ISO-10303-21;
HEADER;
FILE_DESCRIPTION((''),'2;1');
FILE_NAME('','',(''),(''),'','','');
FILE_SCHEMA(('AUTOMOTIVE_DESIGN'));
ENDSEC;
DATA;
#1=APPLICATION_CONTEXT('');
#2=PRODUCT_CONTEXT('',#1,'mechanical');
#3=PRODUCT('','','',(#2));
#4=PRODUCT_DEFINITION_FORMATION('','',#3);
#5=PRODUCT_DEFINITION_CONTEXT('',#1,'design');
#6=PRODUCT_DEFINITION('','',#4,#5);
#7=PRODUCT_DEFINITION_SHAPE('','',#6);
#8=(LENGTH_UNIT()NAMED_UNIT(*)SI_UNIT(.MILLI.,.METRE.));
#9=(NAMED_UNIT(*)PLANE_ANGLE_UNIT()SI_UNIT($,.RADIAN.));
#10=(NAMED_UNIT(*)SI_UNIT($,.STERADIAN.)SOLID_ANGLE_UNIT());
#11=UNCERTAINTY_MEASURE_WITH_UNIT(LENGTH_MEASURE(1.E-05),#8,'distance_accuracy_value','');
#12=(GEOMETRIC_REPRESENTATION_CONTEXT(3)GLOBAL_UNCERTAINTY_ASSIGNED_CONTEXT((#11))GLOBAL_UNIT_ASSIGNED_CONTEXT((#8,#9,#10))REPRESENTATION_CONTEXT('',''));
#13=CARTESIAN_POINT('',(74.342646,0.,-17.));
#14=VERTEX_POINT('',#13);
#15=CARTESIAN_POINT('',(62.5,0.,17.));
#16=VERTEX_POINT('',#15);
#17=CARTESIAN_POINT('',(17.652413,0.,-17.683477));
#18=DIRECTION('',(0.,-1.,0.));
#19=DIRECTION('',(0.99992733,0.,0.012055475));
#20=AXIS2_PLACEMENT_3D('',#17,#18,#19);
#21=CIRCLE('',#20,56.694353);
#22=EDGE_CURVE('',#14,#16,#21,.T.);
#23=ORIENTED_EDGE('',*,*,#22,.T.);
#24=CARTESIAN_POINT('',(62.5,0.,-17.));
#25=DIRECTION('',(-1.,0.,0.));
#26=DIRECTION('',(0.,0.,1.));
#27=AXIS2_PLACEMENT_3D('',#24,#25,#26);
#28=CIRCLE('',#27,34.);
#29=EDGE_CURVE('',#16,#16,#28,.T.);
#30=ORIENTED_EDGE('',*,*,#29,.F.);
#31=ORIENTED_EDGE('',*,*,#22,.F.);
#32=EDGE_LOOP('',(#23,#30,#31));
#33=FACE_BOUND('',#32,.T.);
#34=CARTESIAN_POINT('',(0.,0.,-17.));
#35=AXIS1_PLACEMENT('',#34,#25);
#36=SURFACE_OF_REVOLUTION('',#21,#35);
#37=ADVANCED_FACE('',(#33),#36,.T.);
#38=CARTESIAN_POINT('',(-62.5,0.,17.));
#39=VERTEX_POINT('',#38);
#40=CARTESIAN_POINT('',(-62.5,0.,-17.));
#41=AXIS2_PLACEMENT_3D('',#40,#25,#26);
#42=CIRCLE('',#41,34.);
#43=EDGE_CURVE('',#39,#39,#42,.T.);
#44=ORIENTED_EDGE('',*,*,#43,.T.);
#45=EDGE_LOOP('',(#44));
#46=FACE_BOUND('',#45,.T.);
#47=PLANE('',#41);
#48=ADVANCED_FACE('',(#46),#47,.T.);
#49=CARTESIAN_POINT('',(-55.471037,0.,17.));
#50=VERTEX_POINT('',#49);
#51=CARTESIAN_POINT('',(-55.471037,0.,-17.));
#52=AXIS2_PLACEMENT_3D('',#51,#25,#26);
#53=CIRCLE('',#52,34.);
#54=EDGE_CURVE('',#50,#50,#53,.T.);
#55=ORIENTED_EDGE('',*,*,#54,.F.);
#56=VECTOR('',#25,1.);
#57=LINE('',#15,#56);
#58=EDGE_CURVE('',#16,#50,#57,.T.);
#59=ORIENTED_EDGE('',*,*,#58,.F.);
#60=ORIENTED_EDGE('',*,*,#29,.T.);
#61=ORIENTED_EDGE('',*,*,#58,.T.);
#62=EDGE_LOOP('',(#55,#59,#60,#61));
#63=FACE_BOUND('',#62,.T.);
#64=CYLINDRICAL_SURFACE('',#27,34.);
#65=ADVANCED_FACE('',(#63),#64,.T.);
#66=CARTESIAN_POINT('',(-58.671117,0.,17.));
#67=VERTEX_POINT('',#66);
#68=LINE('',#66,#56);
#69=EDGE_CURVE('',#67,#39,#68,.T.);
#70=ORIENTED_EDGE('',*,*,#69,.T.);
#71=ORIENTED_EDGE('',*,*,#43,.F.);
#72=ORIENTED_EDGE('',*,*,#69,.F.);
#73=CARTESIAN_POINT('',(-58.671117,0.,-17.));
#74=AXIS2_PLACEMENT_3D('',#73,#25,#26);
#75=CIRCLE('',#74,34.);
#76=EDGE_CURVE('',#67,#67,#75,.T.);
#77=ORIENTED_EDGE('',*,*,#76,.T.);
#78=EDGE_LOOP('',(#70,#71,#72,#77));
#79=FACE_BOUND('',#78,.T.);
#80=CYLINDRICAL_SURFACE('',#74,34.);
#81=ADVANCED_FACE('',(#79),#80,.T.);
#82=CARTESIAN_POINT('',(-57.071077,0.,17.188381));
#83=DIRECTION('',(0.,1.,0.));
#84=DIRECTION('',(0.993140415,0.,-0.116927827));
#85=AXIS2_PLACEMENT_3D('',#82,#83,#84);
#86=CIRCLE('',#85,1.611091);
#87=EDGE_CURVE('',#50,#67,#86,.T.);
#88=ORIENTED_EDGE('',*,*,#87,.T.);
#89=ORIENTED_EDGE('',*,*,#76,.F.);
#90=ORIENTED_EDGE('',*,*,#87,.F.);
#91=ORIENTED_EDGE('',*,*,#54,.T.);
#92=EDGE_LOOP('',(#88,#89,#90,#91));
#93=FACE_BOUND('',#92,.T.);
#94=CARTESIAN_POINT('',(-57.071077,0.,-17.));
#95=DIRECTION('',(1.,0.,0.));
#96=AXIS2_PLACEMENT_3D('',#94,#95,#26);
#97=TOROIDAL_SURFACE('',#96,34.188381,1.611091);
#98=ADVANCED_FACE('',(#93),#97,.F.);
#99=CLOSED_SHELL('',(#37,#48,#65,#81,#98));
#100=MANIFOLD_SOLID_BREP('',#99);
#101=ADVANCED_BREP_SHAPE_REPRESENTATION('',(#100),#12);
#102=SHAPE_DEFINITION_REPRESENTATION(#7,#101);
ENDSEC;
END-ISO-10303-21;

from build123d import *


with BuildPart() as f1:
    # F0 (on Front) → F1 (revolve)
    with BuildSketch(Plane.XZ):
        with BuildLine():
            ThreePointArc((74.342646, -17), (71.191952, 0.965046), (62.5, 17))
            Line((62.5, 17), (62.5, -17))
            Line((62.5, -17), (62.50909, -17))
            Line((62.50909, -17), (74.342646, -17))
        make_face()
        with BuildLine():
            Line((62.5, -17), (62.5, 17))
            Line((62.5, 17), (-55.471037, 17))
            ThreePointArc((-55.471037, 17), (-57.071077, 15.57729), (-58.671117, 17))
            Line((-58.671117, 17), (-62.5, 17))
            Line((-62.5, 17), (-62.5, -17))
            Line((-62.5, -17), (62.5, -17))
        make_face()
    revolve(axis=Axis((0, 0, -17), (-1, 0, 0)))


solid = f1.part
